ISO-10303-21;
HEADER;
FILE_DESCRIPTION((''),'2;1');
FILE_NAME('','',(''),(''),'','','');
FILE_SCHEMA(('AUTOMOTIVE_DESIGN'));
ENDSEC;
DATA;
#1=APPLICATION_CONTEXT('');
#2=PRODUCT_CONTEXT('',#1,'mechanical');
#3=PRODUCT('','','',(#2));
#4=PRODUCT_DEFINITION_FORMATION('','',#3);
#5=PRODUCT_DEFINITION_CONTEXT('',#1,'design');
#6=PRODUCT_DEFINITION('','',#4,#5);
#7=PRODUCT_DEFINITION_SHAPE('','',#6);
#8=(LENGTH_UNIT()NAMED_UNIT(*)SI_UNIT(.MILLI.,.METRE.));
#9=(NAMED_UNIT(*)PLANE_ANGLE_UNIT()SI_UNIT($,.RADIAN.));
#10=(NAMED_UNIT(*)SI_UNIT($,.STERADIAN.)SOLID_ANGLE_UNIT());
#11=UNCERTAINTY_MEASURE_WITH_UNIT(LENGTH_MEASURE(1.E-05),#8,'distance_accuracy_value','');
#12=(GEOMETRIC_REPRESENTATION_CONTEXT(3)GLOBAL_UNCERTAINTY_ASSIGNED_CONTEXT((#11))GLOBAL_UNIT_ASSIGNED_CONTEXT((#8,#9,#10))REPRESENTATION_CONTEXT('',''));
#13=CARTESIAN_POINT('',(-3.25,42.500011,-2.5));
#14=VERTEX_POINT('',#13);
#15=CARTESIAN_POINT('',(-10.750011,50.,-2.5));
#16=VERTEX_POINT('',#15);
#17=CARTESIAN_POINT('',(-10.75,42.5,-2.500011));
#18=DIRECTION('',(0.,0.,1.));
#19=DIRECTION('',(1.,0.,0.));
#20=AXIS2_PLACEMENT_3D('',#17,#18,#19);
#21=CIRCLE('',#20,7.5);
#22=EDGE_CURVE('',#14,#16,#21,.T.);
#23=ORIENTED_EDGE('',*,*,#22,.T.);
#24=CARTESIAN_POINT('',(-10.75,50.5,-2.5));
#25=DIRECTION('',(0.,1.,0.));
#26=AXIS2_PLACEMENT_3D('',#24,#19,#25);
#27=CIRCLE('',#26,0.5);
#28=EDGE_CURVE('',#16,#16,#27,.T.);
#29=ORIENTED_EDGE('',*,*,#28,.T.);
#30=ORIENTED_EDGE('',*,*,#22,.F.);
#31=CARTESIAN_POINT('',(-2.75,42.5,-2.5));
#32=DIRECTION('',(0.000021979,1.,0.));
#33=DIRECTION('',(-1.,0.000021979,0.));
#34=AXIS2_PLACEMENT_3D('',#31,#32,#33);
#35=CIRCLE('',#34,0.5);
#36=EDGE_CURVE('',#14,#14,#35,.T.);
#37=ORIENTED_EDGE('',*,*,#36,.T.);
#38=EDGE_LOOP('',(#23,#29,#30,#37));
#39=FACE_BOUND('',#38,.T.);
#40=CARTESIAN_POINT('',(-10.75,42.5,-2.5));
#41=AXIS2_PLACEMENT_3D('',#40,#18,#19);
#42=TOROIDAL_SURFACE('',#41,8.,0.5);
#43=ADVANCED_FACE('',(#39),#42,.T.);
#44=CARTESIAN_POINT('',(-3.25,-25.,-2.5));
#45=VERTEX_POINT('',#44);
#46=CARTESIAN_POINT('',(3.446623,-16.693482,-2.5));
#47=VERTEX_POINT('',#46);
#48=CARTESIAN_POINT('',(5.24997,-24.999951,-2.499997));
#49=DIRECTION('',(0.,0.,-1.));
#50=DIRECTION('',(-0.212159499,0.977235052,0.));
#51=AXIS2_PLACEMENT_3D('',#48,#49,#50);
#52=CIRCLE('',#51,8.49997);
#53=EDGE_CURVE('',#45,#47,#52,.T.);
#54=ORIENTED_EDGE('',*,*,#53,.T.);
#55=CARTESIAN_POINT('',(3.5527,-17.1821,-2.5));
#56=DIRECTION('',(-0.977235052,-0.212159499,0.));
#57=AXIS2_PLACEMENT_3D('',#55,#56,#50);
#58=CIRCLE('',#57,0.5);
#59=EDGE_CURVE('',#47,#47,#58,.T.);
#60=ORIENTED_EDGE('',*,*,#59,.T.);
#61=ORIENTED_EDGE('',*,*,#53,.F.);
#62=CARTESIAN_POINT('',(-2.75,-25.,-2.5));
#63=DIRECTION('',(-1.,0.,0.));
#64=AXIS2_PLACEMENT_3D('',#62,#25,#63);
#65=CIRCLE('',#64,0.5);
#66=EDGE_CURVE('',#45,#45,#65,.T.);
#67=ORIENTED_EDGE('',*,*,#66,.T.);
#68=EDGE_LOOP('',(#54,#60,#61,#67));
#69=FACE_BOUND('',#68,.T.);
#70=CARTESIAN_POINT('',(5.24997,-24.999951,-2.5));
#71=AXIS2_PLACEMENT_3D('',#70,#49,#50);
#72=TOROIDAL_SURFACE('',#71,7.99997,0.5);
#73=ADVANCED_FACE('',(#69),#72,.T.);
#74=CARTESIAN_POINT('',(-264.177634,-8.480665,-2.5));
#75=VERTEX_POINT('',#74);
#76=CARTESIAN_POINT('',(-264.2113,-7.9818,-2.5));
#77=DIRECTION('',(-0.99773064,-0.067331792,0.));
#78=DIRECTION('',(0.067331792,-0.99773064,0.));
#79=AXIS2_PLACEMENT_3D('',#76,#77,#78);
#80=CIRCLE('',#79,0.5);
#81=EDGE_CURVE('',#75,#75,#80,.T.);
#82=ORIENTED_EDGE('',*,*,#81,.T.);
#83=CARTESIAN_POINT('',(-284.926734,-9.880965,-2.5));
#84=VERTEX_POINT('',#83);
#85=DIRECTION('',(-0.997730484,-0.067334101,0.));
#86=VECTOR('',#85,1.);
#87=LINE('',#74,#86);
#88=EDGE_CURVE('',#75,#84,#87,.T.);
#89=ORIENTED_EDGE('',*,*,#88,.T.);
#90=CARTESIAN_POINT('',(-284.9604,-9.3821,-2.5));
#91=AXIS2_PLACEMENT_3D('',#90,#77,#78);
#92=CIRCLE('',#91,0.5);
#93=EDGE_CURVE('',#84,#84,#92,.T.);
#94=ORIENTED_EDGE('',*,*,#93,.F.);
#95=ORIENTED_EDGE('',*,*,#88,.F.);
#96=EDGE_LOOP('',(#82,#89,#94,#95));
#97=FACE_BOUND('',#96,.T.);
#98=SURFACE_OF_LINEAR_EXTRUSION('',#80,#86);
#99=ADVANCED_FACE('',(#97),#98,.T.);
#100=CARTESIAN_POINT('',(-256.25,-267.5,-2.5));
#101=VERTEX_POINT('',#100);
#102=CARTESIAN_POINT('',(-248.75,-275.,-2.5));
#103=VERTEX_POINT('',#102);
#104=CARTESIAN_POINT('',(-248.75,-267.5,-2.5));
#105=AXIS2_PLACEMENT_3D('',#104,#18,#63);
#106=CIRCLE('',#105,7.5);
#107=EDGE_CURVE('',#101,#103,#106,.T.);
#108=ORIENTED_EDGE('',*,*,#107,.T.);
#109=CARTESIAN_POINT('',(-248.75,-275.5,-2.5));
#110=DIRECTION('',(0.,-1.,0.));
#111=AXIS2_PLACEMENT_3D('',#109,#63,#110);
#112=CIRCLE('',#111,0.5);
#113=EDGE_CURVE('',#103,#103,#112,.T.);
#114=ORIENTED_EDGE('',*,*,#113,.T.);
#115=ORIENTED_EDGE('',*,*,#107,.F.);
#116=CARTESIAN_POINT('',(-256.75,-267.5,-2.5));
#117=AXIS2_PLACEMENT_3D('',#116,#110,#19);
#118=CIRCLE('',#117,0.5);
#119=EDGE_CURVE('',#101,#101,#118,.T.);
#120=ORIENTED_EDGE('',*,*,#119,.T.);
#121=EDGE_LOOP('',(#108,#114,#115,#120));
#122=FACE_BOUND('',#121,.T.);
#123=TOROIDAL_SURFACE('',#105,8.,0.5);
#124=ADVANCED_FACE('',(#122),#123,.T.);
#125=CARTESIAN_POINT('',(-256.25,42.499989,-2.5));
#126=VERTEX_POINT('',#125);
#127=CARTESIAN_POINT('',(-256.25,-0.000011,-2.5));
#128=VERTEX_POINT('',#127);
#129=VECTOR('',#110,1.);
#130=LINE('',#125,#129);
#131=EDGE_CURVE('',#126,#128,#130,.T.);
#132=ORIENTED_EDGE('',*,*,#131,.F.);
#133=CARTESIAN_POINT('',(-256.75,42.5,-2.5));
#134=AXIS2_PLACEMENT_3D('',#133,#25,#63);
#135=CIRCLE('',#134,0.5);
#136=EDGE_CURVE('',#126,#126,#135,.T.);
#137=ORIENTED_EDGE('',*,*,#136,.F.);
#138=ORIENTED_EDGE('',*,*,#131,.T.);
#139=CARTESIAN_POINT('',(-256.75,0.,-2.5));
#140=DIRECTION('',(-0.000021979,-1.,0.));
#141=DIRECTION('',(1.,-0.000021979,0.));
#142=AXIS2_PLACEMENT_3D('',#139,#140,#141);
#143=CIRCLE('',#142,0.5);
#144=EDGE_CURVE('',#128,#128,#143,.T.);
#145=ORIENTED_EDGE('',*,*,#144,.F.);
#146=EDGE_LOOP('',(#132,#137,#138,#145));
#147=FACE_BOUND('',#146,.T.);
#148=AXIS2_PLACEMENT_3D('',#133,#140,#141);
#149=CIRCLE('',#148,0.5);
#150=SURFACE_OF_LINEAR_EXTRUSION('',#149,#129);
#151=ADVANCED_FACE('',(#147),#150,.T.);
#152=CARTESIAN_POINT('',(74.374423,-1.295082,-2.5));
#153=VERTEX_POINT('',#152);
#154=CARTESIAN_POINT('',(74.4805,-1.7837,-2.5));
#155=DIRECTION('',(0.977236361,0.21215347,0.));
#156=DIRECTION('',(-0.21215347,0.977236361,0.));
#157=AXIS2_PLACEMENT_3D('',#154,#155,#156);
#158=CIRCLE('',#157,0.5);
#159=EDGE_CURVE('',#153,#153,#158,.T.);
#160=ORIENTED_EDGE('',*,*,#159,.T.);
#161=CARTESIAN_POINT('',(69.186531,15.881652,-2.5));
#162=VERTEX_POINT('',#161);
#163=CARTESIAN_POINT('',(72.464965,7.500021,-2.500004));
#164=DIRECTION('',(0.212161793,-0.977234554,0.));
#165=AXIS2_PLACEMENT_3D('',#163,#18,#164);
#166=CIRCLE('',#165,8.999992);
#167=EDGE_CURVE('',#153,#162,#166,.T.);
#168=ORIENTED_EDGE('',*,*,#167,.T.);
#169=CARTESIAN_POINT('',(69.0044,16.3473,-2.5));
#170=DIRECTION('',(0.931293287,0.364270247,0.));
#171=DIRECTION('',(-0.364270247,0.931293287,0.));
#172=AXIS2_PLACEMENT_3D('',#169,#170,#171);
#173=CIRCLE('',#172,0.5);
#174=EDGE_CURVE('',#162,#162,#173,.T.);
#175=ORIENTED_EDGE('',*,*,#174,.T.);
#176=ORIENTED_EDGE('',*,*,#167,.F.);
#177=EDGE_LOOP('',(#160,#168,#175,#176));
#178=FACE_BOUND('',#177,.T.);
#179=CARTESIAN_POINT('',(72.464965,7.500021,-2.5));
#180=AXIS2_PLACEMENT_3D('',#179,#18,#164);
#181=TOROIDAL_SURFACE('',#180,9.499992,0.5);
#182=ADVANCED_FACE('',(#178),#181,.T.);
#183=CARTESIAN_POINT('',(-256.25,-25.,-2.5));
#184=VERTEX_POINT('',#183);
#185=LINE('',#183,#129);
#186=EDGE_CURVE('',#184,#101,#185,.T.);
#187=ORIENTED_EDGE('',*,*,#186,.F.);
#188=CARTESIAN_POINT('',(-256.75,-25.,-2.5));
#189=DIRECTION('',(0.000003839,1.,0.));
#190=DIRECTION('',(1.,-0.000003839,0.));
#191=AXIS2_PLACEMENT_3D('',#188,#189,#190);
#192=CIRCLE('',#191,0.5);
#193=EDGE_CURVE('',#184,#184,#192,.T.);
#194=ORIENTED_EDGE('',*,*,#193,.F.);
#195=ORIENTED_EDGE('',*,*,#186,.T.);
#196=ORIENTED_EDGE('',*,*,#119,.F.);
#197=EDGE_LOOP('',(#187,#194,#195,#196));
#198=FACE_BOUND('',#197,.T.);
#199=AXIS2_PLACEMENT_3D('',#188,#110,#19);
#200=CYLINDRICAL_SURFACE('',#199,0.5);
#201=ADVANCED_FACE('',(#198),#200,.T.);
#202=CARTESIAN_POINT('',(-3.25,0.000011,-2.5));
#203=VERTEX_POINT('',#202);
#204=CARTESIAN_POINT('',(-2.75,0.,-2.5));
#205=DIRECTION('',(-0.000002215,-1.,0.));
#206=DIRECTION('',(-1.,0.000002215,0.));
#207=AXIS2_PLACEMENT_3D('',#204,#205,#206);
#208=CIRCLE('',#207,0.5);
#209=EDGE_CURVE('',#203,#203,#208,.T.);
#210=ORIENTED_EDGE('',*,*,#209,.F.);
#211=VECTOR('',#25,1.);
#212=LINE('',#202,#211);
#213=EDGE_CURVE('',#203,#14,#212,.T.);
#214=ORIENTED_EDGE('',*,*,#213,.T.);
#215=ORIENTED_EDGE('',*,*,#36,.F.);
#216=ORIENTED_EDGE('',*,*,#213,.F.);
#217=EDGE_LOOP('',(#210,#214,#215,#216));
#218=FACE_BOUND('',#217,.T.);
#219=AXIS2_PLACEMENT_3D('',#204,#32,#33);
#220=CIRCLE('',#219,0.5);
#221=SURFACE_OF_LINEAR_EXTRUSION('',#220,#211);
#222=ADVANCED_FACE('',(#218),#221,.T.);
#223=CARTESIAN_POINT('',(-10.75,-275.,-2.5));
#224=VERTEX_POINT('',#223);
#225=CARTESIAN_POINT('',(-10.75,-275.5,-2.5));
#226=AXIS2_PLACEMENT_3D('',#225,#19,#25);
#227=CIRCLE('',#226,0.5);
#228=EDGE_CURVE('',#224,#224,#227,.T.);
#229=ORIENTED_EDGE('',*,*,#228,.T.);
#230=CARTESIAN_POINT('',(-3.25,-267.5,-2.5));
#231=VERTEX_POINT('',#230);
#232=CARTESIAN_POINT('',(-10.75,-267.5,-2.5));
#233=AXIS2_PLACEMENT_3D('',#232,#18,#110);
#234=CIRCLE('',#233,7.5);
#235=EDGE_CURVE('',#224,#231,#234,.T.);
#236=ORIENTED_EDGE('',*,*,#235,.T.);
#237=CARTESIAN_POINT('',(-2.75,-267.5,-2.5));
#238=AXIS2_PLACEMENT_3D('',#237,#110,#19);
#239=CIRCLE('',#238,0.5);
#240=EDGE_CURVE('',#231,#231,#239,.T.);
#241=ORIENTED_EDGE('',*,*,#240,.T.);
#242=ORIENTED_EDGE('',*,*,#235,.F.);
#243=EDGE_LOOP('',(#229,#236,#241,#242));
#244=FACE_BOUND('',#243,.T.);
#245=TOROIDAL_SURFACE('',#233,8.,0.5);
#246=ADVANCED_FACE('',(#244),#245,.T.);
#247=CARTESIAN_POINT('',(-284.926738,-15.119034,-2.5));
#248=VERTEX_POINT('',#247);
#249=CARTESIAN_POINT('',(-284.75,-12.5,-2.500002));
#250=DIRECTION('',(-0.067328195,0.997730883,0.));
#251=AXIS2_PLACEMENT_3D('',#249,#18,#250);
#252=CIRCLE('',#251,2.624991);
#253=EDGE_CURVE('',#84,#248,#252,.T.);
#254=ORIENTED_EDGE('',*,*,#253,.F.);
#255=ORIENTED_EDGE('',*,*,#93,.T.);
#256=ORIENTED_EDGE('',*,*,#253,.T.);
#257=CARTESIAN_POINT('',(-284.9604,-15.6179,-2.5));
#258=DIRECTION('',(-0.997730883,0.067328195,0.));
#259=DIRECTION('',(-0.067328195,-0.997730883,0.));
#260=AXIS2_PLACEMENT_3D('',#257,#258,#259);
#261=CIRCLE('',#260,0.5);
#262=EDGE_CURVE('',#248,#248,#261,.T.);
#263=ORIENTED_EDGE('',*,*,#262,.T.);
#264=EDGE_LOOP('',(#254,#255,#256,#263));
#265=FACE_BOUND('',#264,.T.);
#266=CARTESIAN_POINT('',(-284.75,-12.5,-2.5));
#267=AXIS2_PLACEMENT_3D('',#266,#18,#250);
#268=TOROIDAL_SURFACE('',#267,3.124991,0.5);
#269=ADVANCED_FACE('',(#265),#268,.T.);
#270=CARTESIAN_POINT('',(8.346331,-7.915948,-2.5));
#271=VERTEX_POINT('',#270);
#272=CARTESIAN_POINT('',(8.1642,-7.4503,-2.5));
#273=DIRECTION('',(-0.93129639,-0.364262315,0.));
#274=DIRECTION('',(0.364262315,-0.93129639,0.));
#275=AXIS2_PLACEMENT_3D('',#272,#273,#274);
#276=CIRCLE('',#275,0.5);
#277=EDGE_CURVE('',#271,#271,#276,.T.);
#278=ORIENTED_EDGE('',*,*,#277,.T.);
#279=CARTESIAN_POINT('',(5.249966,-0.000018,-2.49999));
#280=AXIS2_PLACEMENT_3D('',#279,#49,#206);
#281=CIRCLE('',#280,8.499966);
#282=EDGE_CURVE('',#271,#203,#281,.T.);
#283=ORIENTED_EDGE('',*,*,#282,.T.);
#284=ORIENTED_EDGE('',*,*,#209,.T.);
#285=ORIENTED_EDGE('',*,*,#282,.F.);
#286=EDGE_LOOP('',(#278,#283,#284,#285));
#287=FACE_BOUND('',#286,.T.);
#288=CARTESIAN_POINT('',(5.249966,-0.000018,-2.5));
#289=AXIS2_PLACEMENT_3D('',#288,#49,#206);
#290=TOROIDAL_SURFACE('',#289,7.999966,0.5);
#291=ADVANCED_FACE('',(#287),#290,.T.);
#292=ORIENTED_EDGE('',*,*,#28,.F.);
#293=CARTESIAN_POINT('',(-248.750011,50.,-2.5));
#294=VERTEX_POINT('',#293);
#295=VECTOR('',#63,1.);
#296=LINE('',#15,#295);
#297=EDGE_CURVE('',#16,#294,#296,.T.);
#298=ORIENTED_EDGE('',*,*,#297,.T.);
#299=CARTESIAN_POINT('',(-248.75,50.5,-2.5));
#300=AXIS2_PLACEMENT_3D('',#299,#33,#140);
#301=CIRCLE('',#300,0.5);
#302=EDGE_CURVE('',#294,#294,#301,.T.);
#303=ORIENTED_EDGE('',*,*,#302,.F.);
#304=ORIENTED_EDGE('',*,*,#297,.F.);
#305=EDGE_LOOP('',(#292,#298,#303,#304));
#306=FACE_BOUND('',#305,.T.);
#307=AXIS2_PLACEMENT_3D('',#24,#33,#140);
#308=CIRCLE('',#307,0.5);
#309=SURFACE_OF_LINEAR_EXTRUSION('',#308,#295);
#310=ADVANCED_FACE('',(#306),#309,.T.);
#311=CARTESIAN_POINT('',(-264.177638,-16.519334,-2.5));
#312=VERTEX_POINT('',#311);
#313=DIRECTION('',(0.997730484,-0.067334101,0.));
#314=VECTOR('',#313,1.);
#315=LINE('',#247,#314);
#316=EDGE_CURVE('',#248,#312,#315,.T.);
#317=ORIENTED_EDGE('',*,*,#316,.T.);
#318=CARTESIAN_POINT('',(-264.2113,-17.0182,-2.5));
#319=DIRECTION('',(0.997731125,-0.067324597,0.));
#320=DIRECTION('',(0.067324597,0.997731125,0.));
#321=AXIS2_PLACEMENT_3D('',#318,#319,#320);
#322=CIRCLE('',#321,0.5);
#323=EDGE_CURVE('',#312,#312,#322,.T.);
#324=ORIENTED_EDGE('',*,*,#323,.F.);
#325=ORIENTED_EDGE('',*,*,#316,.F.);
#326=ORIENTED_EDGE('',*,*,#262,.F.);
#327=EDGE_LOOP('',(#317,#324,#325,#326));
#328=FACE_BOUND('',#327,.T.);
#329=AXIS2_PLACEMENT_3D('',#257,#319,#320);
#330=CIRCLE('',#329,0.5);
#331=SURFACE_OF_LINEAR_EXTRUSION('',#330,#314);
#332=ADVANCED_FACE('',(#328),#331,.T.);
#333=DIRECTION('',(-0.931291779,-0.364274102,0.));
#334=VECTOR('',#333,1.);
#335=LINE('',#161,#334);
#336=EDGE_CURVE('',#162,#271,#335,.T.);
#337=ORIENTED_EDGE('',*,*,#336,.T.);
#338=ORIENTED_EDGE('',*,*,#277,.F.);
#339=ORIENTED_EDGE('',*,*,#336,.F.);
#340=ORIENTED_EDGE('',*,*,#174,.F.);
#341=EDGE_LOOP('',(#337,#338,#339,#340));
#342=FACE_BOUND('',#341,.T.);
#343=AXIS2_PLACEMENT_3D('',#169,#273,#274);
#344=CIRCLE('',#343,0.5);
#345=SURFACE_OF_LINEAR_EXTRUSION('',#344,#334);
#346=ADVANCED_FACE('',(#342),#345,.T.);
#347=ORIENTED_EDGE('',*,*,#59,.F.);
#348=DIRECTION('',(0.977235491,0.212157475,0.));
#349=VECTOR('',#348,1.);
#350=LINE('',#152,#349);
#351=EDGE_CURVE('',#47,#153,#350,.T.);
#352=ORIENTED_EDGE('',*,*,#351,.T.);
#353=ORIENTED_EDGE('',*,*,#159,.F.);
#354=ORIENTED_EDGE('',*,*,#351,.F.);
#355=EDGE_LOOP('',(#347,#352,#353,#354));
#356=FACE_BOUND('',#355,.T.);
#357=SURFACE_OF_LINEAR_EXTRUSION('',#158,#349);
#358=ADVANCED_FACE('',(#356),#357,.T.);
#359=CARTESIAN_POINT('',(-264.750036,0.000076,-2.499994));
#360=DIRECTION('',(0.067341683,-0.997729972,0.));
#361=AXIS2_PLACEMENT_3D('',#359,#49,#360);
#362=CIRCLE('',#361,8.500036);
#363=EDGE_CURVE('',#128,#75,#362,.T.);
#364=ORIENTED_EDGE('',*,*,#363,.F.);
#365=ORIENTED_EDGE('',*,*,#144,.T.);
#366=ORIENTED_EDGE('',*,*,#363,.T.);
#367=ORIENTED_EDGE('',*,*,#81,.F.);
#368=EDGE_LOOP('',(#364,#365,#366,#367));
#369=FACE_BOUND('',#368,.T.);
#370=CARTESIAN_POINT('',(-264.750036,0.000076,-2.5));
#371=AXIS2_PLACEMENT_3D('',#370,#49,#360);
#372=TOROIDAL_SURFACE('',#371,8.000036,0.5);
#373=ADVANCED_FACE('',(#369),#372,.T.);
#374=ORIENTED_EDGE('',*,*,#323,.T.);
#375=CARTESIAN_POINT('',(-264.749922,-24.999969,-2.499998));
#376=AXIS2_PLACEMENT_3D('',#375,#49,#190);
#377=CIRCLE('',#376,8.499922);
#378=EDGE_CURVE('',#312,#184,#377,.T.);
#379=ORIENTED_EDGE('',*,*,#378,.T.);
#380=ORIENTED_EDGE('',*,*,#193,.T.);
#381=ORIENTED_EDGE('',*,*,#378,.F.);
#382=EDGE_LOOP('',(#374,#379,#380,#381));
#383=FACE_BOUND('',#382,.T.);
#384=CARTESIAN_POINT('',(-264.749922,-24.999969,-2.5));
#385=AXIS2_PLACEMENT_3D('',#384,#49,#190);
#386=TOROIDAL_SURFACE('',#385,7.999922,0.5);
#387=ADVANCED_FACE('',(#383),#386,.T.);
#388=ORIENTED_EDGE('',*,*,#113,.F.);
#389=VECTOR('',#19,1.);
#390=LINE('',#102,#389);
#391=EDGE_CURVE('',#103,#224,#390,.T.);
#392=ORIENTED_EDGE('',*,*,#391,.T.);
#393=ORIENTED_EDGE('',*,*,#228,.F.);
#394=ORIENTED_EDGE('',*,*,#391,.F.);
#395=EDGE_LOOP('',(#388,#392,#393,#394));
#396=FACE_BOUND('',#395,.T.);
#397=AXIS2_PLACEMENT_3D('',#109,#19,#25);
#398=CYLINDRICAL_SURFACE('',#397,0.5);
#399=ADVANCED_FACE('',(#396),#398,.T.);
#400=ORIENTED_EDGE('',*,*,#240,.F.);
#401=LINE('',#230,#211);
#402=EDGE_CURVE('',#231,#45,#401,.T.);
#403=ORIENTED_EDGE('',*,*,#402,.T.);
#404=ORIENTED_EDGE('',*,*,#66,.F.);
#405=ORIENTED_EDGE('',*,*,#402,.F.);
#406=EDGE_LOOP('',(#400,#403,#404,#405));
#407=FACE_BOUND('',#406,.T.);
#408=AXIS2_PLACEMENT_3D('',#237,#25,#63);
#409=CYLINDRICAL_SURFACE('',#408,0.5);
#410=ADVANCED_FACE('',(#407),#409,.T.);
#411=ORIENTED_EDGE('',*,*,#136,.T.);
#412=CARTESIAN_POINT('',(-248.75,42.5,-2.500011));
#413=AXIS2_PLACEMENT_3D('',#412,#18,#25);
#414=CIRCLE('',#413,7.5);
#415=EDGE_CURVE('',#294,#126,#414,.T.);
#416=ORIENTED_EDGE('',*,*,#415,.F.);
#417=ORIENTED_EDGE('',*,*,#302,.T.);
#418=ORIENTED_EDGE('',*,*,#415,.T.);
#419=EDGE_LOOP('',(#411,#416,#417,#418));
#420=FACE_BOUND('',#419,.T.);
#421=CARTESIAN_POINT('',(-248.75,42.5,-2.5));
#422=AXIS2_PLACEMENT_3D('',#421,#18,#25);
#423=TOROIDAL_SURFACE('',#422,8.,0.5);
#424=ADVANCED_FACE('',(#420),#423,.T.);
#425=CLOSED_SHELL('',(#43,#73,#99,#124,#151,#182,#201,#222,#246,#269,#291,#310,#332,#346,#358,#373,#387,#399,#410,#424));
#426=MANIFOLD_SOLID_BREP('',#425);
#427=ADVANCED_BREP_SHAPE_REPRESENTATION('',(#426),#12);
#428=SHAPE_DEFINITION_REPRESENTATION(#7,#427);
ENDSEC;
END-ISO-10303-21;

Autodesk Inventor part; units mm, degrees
ref_plane "YZ Plane" through (0, 0, 0) normal (1, 0, 0) x (0, 1, 0)
ref_plane "XZ Plane" through (0, 0, 0) normal (0, 1, 0) x (-1, 0, 0)
ref_plane "Work Plane3" through (0, 0, -2.5) normal (0, 0, 1) x (1, 0, 0)
sketch "Sketch4" plane through (0, 0, -2.5) normal (0, 0, 1) x (1, 0, 0)
  circle A0 centre (5.25, 0) radius 8 construction
  circle A1 centre (5.25, -25) radius 8 construction
  arc A2 (-2.75, 42.5) -> (-10.75, 50.5) centre (-10.75, 42.5) ccw projected
  arc A3 (-248.75, 50.5) -> (-256.75, 42.5) centre (-248.75, 42.5) ccw projected
  arc A4 (-269.7437, -6.25) -> (-267.0357, 7.6665) centre (-264.75, 0) ccw construction
  circle A5 centre (-284.75, -12.5) radius 3.125 construction
  arc A6 (-267.0357, -32.6665) -> (-269.7437, -18.75) centre (-264.75, -25) ccw construction
  circle A7 centre (72.465, 7.5) radius 9 construction
  arc A8 (-10.75, -275.5) -> (-2.75, -267.5) centre (-10.75, -267.5) ccw projected
  arc A9 (-256.75, -267.5) -> (-248.75, -275.5) centre (-248.75, -267.5) ccw projected
  arc A10 (74.4805, -1.7837) -> (69.0044, 16.3473) centre (72.465, 7.5) ccw
  line L0 (69.0044, 16.3473) -> (8.1642, -7.4503)
  line L1 (74.4805, -1.7837) -> (3.5527, -17.1821)
  arc A11 (-2.75, 0) -> (8.1642, -7.4503) centre (5.25, 0) ccw
  line L2 (-2.75, 0) -> (-2.75, 42.5)
  line L3 (-10.75, 50.5) -> (-248.75, 50.5)
  line L4 (-256.75, 42.5) -> (-256.75, 0)
  arc A12 (-264.2113, -7.9818) -> (-256.75, 0) centre (-264.75, 0) ccw
  line L5 (-264.2113, -7.9818) -> (-284.9604, -9.3821)
  arc A13 (-284.9604, -9.3821) -> (-284.9604, -15.6179) centre (-284.75, -12.5) ccw
  line L6 (-284.9604, -15.6179) -> (-264.2113, -17.0182)
  arc A14 (-256.75, -25) -> (-264.2113, -17.0182) centre (-264.75, -25) ccw
  line L7 (-256.75, -25) -> (-256.75, -267.5)
  line L8 (-248.75, -275.5) -> (-10.75, -275.5)
  line L9 (-2.75, -267.5) -> (-2.75, -25)
  arc A15 (3.5527, -17.1821) -> (-2.75, -25) centre (5.25, -25) ccw
  point P0 (0, 0)
  dimension "d6" = 0.5
ref_plane "Work Plane4" through (-2.75, -267.5, -2.5) normal (0, 1, 0) x (-1, 0, 0)
sketch "Sketch5" plane through (-2.75, -267.5, -2.5) normal (0, 1, 0) x (-1, 0, 0)
  circle A0 centre (0, 0) radius 0.5
  point P0 (-2.75, 2.5)
  dimension "d7" = 1
sweep "Sweep1" add profiles "Sketch5" path "Sketch4"
properties part number "STRING BED"
